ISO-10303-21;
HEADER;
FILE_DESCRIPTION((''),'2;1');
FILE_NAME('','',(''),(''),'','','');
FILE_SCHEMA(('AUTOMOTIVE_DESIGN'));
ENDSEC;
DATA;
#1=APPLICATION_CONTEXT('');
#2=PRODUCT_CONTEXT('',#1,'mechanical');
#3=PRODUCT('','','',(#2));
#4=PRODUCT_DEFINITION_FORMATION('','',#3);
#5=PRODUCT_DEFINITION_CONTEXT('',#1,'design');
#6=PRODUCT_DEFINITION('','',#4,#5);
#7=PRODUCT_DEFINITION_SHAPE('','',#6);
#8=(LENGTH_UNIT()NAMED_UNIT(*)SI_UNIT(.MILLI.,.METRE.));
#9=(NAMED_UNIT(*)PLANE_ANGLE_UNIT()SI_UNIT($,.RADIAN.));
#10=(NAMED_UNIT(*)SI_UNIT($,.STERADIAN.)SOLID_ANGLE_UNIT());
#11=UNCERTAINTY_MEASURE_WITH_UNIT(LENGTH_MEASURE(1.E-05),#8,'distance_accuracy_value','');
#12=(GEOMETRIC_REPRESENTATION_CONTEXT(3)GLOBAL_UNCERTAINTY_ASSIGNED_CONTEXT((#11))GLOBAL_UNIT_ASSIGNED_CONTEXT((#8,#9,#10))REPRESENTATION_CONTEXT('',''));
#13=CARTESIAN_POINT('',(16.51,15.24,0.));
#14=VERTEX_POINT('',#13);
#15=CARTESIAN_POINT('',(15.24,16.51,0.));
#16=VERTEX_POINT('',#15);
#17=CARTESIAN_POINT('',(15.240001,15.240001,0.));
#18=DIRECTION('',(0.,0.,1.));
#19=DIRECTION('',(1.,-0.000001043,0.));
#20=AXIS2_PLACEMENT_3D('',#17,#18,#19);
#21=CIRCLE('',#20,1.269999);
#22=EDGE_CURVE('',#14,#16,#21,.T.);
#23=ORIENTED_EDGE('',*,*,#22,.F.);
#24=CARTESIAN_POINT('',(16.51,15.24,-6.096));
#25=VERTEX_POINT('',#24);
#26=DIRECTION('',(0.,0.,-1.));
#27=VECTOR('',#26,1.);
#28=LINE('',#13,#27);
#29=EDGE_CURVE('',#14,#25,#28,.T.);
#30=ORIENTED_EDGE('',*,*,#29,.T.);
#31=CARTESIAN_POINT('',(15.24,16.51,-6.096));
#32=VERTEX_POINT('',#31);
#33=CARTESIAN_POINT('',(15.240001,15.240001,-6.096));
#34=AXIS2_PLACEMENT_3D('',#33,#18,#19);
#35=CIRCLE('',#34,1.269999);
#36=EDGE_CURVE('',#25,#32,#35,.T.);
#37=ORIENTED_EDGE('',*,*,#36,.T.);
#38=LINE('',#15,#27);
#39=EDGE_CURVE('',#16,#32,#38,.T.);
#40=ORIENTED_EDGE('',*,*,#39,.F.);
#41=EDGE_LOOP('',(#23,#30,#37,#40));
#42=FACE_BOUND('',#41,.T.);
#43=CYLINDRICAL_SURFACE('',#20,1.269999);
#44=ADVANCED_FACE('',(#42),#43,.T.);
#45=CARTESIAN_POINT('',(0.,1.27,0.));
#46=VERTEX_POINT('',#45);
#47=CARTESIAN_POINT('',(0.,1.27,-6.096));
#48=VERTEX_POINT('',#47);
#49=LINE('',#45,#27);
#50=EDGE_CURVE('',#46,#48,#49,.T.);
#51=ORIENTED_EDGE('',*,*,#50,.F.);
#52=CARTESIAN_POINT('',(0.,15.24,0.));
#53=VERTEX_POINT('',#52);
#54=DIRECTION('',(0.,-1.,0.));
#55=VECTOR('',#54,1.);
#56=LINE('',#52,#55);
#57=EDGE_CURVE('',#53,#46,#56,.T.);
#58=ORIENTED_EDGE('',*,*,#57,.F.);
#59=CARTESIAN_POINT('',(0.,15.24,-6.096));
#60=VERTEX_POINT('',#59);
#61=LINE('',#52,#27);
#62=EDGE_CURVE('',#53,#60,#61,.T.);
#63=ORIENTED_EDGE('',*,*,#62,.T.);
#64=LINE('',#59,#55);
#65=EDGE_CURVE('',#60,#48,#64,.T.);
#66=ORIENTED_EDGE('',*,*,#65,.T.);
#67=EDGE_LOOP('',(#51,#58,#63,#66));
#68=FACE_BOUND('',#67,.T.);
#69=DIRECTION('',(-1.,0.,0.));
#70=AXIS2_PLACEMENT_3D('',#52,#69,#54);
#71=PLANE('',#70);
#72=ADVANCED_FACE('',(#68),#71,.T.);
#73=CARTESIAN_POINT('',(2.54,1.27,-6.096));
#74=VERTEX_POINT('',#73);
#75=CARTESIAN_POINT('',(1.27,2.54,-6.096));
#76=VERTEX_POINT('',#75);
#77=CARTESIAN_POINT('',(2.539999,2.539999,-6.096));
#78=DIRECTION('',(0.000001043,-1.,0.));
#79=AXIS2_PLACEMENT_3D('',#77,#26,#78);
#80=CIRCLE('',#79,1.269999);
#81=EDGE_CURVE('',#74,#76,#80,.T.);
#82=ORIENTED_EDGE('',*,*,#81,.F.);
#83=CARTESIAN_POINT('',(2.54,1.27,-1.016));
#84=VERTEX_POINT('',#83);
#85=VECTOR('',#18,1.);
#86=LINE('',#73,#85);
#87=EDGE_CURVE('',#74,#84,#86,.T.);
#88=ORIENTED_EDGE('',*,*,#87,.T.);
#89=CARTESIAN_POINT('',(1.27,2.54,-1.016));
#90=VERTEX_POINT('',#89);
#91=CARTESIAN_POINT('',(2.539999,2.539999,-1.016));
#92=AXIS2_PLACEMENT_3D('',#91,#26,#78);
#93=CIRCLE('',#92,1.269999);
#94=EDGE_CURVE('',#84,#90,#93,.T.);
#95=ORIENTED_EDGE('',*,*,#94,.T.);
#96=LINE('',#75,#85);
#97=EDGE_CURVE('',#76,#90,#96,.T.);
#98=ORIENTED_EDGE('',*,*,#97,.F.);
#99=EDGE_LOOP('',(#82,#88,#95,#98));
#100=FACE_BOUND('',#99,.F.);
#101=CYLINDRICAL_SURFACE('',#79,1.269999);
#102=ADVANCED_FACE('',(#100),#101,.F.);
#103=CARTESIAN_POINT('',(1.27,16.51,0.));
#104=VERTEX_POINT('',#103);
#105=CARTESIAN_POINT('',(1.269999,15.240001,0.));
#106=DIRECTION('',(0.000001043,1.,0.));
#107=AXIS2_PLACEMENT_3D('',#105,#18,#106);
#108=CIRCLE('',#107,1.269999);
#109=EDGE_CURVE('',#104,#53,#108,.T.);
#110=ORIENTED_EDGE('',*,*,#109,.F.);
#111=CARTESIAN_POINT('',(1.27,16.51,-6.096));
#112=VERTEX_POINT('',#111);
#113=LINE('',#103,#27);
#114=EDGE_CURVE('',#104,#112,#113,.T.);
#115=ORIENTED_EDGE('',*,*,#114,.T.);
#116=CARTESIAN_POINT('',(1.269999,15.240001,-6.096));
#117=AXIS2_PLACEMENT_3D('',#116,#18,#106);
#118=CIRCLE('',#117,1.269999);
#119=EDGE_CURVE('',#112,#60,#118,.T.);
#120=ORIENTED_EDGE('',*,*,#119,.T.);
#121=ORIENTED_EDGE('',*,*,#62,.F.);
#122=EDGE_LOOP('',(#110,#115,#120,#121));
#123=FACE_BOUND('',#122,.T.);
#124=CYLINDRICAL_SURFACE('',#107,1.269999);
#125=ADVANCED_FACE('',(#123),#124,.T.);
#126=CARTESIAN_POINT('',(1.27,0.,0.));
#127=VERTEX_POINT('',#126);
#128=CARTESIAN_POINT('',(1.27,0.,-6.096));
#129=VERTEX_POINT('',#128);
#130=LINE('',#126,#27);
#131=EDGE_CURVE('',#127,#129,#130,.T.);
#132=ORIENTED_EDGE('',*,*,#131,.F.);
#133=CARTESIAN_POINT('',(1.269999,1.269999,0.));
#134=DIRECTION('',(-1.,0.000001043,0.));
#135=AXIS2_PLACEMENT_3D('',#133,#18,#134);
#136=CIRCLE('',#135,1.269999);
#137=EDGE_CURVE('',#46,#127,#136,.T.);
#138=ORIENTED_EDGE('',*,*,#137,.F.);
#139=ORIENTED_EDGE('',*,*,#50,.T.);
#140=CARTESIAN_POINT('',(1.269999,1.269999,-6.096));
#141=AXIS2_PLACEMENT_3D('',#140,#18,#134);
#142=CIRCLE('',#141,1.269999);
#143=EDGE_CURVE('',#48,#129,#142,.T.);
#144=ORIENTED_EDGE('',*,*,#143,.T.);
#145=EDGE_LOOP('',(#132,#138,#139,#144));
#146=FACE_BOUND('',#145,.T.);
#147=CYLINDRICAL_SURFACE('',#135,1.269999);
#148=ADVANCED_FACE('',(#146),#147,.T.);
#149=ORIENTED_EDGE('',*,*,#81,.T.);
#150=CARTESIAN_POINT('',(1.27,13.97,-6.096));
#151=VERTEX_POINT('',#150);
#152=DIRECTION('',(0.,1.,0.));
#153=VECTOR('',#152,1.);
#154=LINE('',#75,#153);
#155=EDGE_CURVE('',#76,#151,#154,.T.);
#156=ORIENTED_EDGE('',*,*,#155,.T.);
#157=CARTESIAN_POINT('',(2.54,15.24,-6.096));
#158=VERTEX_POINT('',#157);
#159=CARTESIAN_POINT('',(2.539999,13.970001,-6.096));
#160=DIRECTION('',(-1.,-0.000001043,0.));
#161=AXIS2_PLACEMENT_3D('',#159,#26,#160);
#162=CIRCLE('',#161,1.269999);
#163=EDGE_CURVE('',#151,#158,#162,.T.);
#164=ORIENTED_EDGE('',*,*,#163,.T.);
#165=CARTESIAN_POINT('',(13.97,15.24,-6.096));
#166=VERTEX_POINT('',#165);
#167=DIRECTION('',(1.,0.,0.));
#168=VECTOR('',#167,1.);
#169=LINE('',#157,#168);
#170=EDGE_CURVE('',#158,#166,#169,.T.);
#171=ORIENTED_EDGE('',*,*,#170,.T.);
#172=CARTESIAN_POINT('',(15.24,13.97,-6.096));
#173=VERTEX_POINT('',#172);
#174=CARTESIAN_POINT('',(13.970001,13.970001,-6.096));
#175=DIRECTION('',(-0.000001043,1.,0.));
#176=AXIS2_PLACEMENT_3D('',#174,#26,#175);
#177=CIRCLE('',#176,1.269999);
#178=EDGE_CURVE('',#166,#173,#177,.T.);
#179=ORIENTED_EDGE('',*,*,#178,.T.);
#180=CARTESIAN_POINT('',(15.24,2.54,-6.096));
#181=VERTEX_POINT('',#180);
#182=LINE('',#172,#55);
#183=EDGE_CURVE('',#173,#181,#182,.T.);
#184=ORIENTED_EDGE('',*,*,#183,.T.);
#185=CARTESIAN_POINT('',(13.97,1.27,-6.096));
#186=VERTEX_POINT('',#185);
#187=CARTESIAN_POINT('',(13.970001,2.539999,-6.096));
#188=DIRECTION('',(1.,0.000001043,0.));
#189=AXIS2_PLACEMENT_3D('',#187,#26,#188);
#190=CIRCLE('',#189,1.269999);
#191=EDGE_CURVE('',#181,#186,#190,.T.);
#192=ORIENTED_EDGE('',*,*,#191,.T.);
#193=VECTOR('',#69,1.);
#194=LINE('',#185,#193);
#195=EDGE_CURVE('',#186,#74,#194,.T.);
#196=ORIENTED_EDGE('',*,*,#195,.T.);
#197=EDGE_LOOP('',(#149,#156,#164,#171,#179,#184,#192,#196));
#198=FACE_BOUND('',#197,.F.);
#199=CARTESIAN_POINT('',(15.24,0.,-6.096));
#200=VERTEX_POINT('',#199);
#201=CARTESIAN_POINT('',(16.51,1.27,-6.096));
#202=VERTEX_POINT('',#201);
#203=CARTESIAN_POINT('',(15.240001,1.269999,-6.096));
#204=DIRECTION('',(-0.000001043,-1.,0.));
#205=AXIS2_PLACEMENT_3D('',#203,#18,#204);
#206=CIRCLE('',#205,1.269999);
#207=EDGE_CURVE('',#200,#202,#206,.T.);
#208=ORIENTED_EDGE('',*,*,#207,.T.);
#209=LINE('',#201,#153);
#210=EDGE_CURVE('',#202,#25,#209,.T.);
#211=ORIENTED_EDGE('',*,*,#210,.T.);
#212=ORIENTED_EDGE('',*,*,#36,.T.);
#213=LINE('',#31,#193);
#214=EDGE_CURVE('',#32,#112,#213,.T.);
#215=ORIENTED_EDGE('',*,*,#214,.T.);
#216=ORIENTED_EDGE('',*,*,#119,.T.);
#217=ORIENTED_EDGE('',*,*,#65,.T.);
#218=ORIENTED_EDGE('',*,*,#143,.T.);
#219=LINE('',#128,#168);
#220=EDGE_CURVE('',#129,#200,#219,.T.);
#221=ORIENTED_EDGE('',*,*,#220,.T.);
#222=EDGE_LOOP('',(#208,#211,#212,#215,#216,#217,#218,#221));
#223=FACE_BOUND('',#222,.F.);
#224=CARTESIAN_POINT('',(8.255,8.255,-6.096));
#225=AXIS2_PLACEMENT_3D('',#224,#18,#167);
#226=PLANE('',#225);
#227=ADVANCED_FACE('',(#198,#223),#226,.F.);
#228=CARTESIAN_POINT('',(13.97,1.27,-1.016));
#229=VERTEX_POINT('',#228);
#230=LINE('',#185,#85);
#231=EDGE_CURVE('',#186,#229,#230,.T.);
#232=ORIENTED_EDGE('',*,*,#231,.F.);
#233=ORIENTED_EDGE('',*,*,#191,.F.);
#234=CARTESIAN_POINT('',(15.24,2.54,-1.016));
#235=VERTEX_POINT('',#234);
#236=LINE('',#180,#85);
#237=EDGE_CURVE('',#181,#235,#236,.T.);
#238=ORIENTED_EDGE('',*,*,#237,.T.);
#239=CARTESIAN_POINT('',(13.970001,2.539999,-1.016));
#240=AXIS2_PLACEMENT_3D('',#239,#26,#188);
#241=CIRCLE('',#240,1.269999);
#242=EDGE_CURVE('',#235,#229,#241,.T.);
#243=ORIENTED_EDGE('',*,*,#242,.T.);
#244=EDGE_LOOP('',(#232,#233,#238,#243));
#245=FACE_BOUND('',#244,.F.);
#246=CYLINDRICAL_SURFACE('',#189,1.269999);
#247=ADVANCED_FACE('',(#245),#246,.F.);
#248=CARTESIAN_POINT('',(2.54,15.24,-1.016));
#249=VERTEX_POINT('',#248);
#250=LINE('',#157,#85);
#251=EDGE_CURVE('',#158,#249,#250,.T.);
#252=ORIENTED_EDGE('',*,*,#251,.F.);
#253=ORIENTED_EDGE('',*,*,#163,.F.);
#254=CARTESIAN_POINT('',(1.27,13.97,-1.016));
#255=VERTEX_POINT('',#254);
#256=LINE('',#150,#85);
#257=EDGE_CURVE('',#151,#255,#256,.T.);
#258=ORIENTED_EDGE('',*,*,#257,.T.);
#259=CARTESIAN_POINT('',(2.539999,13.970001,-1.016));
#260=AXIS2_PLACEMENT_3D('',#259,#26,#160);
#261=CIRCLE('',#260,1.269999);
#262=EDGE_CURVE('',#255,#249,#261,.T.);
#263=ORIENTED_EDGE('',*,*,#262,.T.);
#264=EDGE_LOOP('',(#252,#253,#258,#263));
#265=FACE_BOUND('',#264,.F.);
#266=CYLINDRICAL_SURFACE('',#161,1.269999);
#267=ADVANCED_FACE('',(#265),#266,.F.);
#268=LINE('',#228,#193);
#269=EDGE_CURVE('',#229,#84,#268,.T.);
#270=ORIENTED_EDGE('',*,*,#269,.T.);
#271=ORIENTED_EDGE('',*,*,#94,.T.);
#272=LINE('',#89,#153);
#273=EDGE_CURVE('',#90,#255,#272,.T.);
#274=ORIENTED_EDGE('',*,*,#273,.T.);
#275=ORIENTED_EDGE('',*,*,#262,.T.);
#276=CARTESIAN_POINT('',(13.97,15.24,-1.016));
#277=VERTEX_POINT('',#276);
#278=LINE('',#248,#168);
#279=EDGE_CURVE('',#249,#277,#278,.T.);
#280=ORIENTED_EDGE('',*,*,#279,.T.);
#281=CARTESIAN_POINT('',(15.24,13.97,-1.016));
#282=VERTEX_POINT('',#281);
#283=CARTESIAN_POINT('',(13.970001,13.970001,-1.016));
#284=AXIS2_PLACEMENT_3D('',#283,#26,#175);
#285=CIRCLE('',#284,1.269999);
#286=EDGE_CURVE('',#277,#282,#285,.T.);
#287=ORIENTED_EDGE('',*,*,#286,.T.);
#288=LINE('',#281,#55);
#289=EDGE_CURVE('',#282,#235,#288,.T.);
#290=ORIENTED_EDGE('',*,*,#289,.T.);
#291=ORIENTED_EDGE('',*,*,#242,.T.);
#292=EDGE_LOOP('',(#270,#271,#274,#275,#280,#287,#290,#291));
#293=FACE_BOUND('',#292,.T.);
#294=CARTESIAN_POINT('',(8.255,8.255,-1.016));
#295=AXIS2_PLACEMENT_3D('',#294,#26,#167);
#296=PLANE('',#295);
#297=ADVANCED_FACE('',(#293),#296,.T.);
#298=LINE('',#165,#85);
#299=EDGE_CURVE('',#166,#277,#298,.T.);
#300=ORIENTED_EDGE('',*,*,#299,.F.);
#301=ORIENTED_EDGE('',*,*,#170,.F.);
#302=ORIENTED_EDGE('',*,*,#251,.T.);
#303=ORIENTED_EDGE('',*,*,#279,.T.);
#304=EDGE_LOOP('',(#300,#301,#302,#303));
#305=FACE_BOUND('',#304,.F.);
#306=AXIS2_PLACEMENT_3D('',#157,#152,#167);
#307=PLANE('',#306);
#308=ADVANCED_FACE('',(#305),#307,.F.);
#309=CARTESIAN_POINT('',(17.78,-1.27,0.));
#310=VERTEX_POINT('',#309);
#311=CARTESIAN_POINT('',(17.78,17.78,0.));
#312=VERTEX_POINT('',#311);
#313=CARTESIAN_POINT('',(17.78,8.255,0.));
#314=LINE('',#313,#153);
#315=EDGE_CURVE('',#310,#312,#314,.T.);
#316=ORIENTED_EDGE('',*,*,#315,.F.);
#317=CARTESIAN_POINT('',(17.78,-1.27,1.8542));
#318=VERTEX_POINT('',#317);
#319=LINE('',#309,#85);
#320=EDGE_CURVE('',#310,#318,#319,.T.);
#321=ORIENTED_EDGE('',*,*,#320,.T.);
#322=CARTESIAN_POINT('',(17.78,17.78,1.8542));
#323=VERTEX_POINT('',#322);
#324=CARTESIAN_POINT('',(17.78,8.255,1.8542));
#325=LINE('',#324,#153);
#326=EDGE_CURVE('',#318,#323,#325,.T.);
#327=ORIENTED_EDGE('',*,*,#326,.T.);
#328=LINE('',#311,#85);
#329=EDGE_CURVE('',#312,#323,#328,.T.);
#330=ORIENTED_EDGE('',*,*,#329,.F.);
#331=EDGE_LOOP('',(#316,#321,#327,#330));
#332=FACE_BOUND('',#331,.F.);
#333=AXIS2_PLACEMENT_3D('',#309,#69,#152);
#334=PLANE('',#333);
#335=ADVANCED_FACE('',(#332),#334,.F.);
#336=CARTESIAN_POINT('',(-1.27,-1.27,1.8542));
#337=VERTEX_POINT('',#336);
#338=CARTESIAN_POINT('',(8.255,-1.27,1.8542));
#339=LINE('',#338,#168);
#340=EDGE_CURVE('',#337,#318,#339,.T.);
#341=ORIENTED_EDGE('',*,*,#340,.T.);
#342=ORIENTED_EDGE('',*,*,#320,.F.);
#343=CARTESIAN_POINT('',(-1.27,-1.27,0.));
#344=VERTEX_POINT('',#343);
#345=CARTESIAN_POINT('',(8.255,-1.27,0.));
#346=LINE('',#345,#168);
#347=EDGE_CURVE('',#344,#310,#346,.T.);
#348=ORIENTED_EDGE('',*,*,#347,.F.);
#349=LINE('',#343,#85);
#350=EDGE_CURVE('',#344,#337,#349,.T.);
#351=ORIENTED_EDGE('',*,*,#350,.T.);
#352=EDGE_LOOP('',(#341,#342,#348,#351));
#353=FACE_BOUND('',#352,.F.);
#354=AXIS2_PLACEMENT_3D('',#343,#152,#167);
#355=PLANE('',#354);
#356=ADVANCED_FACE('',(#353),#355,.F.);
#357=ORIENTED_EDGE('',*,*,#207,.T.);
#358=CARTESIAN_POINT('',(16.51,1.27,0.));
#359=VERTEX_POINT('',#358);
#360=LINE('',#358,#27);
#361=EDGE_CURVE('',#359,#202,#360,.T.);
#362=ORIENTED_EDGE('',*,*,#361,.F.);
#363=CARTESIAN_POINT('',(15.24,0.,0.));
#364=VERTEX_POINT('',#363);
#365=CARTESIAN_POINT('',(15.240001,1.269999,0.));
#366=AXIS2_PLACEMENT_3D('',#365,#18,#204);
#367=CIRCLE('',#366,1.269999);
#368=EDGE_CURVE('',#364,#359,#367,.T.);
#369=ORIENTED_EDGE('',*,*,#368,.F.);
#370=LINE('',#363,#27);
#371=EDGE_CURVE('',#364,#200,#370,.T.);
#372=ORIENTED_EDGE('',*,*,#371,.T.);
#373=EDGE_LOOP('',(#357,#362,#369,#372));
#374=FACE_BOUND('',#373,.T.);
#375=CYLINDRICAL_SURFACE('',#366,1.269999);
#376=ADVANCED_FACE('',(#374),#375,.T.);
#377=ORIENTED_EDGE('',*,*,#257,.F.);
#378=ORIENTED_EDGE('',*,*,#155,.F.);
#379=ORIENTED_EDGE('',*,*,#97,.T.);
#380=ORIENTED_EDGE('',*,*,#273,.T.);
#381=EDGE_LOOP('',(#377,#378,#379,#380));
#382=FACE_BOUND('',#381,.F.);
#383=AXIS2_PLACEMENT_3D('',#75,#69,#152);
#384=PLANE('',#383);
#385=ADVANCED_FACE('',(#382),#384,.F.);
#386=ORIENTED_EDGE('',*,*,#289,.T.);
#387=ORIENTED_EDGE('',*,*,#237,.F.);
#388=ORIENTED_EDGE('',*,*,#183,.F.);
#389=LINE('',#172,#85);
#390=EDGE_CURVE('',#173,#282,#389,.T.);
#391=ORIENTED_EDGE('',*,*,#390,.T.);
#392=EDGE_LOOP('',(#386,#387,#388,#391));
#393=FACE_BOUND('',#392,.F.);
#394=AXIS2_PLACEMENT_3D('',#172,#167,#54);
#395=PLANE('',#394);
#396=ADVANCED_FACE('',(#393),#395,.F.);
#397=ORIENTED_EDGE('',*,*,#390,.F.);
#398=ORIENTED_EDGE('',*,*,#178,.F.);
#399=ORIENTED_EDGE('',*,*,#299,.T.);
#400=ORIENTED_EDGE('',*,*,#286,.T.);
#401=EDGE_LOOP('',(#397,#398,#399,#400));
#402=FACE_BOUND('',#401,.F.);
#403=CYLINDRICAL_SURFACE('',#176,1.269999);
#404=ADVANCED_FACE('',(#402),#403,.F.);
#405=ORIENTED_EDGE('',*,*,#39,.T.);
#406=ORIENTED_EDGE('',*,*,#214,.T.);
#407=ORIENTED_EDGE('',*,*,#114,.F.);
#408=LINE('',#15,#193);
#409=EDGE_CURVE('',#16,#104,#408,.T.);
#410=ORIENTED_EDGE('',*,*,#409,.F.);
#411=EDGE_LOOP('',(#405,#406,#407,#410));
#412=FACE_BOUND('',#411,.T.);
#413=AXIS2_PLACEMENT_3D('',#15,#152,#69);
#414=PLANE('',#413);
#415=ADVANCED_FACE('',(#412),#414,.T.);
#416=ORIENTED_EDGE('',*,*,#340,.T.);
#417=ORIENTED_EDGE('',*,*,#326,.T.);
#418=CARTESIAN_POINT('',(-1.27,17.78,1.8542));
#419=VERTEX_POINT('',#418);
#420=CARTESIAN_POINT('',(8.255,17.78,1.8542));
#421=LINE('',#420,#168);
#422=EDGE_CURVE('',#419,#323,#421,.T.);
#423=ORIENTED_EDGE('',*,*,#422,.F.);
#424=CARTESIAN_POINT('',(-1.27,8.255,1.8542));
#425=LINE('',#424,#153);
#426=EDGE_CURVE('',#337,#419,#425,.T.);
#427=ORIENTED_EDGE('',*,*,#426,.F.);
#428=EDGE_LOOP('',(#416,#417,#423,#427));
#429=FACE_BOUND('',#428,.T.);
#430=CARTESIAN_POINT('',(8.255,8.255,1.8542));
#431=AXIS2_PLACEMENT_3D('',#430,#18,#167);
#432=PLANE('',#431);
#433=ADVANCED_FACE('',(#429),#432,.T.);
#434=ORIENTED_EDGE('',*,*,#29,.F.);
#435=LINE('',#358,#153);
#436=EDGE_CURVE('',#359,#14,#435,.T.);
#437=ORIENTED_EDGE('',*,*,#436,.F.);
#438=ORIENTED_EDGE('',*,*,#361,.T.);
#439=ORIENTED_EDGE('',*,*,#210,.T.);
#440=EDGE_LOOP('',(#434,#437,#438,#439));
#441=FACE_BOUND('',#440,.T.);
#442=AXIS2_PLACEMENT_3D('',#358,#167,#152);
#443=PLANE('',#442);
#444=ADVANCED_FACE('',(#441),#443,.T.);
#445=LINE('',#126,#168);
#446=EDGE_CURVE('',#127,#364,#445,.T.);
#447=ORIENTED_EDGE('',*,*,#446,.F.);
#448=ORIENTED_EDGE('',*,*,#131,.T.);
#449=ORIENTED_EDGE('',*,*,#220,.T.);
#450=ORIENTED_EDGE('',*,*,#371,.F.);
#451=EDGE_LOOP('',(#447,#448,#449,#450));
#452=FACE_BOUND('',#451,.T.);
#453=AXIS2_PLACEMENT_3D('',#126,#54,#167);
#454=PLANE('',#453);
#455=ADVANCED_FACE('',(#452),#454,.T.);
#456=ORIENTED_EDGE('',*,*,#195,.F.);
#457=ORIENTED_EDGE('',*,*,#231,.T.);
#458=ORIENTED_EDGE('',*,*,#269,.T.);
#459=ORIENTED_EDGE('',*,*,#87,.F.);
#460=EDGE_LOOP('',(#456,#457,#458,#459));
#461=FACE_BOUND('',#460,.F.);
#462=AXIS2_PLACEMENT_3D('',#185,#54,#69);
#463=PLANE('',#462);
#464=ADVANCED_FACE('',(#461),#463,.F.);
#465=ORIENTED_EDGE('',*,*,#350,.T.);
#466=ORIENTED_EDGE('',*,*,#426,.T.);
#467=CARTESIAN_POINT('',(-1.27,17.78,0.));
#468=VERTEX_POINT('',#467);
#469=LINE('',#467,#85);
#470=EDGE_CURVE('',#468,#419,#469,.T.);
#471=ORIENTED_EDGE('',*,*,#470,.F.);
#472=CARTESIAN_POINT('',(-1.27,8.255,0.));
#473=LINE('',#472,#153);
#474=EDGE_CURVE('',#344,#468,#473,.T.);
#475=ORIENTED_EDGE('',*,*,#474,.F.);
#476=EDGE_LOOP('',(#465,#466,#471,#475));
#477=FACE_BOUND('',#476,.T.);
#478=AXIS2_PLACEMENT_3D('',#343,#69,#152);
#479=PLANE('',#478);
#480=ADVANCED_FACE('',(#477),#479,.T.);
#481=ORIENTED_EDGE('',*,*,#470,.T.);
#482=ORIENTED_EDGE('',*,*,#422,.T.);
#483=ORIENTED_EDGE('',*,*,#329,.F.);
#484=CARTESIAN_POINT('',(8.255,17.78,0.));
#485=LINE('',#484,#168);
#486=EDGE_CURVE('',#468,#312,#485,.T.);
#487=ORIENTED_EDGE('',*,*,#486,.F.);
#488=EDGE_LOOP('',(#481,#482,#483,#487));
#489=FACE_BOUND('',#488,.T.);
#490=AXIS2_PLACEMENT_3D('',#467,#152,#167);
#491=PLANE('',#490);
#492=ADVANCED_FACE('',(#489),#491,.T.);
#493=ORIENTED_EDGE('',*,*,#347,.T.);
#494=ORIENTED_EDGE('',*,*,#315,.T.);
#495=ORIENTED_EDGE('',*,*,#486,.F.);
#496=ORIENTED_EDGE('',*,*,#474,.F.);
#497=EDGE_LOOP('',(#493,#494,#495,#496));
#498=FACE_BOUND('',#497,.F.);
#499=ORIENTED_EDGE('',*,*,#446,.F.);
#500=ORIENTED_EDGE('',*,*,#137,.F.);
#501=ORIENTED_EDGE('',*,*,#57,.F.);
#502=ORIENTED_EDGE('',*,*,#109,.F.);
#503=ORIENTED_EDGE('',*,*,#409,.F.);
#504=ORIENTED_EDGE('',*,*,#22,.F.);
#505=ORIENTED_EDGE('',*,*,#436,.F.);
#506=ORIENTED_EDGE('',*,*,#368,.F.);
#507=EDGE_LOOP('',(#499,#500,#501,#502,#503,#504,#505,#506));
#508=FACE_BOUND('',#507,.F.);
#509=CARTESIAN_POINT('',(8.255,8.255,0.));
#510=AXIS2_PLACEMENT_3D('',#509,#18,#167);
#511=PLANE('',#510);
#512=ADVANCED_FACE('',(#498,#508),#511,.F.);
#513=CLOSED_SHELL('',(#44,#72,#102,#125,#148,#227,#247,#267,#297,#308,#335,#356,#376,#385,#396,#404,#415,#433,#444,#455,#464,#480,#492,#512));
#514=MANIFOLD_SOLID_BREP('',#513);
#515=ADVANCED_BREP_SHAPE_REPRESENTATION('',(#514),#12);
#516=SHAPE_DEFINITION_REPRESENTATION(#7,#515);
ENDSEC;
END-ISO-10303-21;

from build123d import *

# Parameters (mm, degrees)
F1_DEPTH = 6.096
F3_DEPTH = 5.08
F4_W     = 19.05
F4_H     = 19.05
F5_DEPTH = 1.8542


with BuildPart() as f1:
    # F0 (on Top) → F1 (new body)
    with BuildSketch(Plane.XY):
        with BuildLine():
            ThreePointArc((0, 1.27), (0.371974, 0.371974), (1.27, 0))
            Line((1.27, 0), (15.24, 0))
            ThreePointArc((15.24, 0), (16.138026, 0.371974), (16.51, 1.27))
            Line((16.51, 1.27), (16.51, 15.24))
            ThreePointArc((16.51, 15.24), (16.138026, 16.138026), (15.24, 16.51))
            Line((15.24, 16.51), (1.27, 16.51))
            ThreePointArc((1.27, 16.51), (0.371974, 16.138026), (0, 15.24))
            Line((0, 15.24), (0, 1.27))
        make_face()
    extrude(amount=-F1_DEPTH)

    # F2 (on face) → F3 (cut)
    with BuildSketch(Plane(origin=(0, 0, -6.096), x_dir=(1, 0, 0), z_dir=(0, 0, -1))):
        with BuildLine():
            Line((13.97, -1.27), (2.54, -1.27))
            ThreePointArc((2.54, -1.27), (1.641974, -1.641974), (1.27, -2.54))
            Line((1.27, -2.54), (1.27, -13.97))
            ThreePointArc((1.27, -13.97), (1.641974, -14.868026), (2.54, -15.24))
            Line((2.54, -15.24), (13.97, -15.24))
            ThreePointArc((13.97, -15.24), (14.868026, -14.868026), (15.24, -13.97))
            Line((15.24, -13.97), (15.24, -2.54))
            ThreePointArc((15.24, -2.54), (14.868026, -1.641974), (13.97, -1.27))
        make_face()
    extrude(amount=-F3_DEPTH, mode=Mode.SUBTRACT)

    # F4 (on Top) → F5 (join)
    with BuildSketch(Plane.XY):
        with Locations((8.255, 8.255)):
            Rectangle(F4_W, F4_H)
    extrude(amount=F5_DEPTH)


solid = f1.part
